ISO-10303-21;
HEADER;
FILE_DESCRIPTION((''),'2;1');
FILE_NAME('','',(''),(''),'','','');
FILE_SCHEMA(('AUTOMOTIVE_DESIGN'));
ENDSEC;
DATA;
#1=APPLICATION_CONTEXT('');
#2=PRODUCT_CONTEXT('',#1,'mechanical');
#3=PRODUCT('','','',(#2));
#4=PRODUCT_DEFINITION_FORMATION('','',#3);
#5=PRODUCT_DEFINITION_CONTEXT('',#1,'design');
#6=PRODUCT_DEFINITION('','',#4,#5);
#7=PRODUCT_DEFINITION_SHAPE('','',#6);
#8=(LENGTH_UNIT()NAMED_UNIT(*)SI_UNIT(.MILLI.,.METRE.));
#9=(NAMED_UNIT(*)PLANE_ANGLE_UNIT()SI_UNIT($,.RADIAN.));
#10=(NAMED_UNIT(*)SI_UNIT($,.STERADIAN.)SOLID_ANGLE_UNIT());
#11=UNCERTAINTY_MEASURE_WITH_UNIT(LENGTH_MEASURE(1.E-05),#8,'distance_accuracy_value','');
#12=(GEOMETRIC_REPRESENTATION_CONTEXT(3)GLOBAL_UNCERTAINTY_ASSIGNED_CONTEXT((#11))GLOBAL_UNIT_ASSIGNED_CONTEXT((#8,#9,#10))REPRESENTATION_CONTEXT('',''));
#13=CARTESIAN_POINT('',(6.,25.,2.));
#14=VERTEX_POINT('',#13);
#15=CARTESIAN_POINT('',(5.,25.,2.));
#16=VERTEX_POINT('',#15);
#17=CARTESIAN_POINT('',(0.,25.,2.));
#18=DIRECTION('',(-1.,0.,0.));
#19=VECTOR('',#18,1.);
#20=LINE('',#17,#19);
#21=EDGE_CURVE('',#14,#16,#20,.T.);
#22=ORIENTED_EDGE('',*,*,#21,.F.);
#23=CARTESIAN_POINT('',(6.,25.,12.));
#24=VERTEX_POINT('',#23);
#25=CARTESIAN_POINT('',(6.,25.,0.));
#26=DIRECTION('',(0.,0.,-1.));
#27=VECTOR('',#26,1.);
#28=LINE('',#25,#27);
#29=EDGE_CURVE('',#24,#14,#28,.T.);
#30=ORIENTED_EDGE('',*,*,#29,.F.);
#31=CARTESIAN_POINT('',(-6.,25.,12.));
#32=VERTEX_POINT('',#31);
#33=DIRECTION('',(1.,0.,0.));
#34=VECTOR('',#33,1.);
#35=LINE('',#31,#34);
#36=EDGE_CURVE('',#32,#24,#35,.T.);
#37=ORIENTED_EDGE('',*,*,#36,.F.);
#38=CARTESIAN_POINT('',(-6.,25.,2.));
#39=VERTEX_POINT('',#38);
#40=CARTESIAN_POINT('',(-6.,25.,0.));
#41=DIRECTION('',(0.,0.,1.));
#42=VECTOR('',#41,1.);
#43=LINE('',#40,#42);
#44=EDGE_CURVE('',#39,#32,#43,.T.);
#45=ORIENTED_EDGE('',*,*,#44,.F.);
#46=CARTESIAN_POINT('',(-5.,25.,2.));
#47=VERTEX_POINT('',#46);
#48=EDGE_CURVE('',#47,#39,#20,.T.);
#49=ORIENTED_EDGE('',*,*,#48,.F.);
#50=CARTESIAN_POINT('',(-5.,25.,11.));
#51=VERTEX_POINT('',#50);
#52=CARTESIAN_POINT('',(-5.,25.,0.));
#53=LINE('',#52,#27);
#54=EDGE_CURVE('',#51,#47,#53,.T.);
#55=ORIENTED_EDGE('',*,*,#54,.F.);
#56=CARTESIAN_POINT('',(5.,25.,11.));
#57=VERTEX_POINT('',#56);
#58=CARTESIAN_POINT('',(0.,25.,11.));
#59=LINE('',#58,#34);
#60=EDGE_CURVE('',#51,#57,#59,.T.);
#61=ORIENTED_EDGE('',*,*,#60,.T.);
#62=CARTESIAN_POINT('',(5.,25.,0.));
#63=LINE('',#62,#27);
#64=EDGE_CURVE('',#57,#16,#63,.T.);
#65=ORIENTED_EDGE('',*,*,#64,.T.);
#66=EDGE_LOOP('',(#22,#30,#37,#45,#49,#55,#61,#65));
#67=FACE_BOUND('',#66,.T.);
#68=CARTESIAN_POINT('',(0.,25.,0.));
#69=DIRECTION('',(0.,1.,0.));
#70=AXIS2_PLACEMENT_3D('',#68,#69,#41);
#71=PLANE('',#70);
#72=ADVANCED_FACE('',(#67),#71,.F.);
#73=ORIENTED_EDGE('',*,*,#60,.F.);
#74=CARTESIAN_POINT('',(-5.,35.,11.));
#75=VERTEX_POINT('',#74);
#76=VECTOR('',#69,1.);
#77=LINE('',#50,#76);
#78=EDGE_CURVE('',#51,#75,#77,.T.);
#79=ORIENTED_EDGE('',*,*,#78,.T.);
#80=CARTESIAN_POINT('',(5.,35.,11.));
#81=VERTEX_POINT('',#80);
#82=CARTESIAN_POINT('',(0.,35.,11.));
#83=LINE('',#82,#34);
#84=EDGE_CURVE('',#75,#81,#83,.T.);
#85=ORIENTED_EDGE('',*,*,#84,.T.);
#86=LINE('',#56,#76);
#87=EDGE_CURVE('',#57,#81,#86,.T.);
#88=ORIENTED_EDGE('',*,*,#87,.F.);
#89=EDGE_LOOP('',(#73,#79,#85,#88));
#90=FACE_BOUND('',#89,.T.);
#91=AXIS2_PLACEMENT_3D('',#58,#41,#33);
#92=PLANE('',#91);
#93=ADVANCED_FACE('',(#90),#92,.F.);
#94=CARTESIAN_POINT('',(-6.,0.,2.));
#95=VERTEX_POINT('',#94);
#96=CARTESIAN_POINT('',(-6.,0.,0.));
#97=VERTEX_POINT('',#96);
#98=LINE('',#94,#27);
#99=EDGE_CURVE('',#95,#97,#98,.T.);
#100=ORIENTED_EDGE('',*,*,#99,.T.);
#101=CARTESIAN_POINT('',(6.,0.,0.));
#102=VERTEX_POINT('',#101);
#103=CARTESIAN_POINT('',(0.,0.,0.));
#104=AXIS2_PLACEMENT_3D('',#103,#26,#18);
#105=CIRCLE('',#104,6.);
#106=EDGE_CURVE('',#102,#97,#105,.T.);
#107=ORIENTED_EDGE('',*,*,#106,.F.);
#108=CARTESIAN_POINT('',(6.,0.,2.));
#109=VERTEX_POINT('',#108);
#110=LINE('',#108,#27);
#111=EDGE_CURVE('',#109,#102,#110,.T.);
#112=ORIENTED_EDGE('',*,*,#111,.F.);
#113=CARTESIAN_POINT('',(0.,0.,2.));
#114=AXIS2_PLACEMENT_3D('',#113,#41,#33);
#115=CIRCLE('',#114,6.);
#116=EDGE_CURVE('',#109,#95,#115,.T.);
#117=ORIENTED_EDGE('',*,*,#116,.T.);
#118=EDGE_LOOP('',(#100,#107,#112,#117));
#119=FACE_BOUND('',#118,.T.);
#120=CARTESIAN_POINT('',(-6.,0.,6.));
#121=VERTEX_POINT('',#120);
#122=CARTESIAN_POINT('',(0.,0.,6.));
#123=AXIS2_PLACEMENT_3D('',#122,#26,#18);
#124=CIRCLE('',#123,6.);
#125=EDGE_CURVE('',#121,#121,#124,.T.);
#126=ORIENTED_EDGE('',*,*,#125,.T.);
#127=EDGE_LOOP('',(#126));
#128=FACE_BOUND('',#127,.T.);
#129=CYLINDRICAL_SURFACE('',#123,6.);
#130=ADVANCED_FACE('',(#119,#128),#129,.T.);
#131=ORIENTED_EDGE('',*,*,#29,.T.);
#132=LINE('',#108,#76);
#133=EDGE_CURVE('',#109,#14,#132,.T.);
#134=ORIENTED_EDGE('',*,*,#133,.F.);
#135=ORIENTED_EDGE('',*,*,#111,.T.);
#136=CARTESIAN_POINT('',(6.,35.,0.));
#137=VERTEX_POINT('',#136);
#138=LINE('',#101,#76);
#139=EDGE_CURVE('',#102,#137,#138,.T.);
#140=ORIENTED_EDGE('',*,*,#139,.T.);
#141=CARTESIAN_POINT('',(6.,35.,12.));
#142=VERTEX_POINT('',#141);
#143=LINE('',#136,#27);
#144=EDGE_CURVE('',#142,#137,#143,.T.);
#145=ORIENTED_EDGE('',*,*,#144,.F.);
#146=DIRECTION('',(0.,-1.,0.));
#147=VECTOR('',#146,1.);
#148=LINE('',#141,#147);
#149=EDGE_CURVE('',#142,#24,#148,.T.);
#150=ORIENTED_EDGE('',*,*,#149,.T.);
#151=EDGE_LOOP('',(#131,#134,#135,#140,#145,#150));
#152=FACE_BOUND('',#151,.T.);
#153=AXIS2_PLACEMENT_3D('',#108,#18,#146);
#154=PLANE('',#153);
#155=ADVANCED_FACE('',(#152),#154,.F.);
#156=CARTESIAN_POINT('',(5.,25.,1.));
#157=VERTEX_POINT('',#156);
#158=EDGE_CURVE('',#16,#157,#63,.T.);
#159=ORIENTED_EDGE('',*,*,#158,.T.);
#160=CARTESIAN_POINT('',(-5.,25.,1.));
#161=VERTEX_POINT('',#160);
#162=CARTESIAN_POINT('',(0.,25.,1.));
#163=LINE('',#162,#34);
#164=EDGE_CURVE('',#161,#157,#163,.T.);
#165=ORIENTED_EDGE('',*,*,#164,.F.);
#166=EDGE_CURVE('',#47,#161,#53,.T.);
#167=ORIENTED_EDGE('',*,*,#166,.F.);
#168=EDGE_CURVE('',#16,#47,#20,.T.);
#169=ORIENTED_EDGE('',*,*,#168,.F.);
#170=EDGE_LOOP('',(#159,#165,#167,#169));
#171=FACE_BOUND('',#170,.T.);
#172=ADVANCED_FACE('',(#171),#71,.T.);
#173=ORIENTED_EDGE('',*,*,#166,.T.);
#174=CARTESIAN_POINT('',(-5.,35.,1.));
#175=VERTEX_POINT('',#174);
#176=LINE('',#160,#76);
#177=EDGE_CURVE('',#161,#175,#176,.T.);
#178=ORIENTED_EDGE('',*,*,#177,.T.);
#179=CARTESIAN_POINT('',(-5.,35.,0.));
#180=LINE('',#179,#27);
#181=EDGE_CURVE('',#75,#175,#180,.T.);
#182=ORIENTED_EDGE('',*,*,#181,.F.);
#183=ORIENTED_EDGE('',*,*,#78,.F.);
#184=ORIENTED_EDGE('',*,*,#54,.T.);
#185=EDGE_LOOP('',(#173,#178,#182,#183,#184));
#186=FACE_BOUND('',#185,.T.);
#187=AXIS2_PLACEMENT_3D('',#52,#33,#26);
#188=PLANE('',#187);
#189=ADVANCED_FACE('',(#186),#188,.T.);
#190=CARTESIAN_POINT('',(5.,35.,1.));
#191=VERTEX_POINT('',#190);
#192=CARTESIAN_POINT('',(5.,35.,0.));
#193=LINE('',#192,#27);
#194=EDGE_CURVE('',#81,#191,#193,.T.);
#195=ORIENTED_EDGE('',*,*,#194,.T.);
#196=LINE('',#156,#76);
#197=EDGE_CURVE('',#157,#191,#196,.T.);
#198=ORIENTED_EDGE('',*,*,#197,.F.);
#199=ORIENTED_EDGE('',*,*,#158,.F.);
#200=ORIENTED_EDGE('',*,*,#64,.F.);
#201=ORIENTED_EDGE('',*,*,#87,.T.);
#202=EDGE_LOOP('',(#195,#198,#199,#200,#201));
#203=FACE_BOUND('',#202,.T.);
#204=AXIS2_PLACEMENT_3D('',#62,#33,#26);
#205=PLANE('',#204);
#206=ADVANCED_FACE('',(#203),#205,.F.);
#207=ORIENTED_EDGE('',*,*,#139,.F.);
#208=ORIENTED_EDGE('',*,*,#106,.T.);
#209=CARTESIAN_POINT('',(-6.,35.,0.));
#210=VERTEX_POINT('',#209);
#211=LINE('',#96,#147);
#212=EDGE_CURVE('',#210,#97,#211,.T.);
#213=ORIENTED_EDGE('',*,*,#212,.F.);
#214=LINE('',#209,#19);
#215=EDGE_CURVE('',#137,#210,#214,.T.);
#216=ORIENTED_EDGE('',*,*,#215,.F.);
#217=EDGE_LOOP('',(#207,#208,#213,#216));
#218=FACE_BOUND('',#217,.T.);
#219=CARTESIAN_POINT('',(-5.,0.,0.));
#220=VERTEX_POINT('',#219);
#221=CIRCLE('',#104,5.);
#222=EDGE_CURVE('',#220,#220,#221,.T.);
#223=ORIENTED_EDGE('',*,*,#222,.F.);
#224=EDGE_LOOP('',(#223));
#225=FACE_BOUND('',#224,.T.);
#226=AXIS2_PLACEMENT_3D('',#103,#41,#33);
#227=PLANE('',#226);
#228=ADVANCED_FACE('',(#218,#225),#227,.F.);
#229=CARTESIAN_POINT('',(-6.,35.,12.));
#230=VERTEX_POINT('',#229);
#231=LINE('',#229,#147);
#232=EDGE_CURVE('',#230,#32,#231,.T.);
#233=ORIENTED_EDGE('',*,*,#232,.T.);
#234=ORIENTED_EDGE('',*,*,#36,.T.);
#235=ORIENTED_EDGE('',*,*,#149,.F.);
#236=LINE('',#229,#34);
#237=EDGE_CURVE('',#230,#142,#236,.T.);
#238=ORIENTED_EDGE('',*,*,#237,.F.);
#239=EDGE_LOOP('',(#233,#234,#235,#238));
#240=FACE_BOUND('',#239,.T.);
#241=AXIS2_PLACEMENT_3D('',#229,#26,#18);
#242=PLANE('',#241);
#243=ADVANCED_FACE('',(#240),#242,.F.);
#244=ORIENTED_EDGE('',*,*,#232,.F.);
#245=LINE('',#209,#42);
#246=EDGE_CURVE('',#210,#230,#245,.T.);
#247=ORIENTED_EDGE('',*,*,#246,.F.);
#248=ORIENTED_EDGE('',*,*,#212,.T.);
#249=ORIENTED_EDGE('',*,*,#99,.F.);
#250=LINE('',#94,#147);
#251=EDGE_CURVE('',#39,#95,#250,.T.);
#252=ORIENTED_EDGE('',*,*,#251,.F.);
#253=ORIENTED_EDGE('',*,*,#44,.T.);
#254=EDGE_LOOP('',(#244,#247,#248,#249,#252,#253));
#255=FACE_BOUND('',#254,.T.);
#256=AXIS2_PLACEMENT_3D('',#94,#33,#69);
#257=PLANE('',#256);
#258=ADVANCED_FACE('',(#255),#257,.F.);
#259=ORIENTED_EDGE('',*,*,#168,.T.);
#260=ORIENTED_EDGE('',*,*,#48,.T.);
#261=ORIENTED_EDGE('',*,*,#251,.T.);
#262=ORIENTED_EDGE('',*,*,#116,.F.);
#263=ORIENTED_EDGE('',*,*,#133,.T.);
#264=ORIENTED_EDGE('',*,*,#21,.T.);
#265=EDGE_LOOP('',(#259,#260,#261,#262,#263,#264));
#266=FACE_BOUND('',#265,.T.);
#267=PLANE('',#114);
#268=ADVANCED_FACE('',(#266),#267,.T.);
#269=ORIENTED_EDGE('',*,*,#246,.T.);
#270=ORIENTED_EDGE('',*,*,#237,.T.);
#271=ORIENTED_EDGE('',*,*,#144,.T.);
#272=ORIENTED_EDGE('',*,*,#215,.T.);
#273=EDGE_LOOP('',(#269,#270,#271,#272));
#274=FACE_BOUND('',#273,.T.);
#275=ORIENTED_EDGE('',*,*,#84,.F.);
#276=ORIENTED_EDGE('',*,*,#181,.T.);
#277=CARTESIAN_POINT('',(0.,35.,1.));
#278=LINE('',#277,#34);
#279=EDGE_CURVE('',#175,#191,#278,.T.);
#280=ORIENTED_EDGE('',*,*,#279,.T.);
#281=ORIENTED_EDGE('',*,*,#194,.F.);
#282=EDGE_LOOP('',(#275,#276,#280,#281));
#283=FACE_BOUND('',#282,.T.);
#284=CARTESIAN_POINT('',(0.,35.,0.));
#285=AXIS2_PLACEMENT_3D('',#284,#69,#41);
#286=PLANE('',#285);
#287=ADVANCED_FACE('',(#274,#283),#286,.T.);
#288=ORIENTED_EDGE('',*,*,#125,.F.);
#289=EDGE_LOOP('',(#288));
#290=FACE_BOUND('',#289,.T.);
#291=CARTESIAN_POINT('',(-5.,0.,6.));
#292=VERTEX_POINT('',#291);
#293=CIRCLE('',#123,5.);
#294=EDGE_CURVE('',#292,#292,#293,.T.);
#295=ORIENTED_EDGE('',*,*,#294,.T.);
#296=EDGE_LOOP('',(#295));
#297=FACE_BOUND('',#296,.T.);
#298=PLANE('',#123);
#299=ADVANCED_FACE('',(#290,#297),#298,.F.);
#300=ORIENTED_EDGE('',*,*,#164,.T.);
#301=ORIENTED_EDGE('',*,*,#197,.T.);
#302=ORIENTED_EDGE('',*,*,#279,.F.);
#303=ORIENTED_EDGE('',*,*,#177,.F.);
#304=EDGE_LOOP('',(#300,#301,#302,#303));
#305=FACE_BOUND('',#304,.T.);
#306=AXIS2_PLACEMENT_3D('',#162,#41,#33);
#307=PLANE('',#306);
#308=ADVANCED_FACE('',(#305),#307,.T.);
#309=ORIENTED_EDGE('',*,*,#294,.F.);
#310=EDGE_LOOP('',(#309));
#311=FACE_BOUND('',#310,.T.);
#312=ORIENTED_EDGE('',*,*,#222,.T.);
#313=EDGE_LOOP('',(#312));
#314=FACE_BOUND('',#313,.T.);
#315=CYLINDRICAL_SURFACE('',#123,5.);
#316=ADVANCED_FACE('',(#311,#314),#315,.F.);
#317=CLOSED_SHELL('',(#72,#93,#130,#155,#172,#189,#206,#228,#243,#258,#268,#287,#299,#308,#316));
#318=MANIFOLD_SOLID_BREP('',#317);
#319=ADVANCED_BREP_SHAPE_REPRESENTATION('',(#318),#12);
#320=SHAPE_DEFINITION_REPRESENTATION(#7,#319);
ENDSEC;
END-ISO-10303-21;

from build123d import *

# Parameters (mm, degrees)
EXTRUDE_1_DEPTH     = 2
SKETCH_4_R          = 6
SKETCH_4_R_2        = 5
EXTRUDE_2_DEPTH     = 6
SKETCH_5_W          = 12
SKETCH_5_H          = 12
EXTRUDE_3_DEPTH     = 10
CUT_EXTRUDE_1_DEPTH = 10


with BuildPart() as part:
    # 草图1 → 凸台-拉伸1 (new body)
    with BuildSketch(Plane.XY):
        with BuildLine():
            ThreePointArc((-6, 0), (0, 6), (6, 0))
            Line((6, 0), (6, 25))
            Line((6, 25), (-6, 25))
            Line((-6, 25), (-6, 0))
        make_face()
    extrude(amount=EXTRUDE_1_DEPTH)

    # 草图4 → 凸台-拉伸2 (add)
    with BuildSketch(Plane(origin=(0, 0, 0), x_dir=(-1, 0, 0), z_dir=(0, 0, -1))):
        Circle(SKETCH_4_R)
        Circle(SKETCH_4_R_2, mode=Mode.SUBTRACT)
    extrude(amount=-EXTRUDE_2_DEPTH)

    # 草图5 → 凸台-拉伸3 (add)
    with BuildSketch(Plane(origin=(0, 25, 0), x_dir=(1, 0, 0), z_dir=(0, 1, 0))):
        with Locations((0, -6)):
            Rectangle(SKETCH_5_W, SKETCH_5_H)
    extrude(amount=EXTRUDE_3_DEPTH)

    # 草图6 → 切除-拉伸1 (cut)
    with BuildSketch(Plane(origin=(0, 35, 0), x_dir=(1, 0, 0), z_dir=(0, 1, 0))):
        Polygon((5, -1), (-5, -1), (5, -11), align=None)
        Polygon((5, -11), (-5, -1), (-5, -11), align=None)
    extrude(amount=-CUT_EXTRUDE_1_DEPTH, mode=Mode.SUBTRACT)


solid = part.part
